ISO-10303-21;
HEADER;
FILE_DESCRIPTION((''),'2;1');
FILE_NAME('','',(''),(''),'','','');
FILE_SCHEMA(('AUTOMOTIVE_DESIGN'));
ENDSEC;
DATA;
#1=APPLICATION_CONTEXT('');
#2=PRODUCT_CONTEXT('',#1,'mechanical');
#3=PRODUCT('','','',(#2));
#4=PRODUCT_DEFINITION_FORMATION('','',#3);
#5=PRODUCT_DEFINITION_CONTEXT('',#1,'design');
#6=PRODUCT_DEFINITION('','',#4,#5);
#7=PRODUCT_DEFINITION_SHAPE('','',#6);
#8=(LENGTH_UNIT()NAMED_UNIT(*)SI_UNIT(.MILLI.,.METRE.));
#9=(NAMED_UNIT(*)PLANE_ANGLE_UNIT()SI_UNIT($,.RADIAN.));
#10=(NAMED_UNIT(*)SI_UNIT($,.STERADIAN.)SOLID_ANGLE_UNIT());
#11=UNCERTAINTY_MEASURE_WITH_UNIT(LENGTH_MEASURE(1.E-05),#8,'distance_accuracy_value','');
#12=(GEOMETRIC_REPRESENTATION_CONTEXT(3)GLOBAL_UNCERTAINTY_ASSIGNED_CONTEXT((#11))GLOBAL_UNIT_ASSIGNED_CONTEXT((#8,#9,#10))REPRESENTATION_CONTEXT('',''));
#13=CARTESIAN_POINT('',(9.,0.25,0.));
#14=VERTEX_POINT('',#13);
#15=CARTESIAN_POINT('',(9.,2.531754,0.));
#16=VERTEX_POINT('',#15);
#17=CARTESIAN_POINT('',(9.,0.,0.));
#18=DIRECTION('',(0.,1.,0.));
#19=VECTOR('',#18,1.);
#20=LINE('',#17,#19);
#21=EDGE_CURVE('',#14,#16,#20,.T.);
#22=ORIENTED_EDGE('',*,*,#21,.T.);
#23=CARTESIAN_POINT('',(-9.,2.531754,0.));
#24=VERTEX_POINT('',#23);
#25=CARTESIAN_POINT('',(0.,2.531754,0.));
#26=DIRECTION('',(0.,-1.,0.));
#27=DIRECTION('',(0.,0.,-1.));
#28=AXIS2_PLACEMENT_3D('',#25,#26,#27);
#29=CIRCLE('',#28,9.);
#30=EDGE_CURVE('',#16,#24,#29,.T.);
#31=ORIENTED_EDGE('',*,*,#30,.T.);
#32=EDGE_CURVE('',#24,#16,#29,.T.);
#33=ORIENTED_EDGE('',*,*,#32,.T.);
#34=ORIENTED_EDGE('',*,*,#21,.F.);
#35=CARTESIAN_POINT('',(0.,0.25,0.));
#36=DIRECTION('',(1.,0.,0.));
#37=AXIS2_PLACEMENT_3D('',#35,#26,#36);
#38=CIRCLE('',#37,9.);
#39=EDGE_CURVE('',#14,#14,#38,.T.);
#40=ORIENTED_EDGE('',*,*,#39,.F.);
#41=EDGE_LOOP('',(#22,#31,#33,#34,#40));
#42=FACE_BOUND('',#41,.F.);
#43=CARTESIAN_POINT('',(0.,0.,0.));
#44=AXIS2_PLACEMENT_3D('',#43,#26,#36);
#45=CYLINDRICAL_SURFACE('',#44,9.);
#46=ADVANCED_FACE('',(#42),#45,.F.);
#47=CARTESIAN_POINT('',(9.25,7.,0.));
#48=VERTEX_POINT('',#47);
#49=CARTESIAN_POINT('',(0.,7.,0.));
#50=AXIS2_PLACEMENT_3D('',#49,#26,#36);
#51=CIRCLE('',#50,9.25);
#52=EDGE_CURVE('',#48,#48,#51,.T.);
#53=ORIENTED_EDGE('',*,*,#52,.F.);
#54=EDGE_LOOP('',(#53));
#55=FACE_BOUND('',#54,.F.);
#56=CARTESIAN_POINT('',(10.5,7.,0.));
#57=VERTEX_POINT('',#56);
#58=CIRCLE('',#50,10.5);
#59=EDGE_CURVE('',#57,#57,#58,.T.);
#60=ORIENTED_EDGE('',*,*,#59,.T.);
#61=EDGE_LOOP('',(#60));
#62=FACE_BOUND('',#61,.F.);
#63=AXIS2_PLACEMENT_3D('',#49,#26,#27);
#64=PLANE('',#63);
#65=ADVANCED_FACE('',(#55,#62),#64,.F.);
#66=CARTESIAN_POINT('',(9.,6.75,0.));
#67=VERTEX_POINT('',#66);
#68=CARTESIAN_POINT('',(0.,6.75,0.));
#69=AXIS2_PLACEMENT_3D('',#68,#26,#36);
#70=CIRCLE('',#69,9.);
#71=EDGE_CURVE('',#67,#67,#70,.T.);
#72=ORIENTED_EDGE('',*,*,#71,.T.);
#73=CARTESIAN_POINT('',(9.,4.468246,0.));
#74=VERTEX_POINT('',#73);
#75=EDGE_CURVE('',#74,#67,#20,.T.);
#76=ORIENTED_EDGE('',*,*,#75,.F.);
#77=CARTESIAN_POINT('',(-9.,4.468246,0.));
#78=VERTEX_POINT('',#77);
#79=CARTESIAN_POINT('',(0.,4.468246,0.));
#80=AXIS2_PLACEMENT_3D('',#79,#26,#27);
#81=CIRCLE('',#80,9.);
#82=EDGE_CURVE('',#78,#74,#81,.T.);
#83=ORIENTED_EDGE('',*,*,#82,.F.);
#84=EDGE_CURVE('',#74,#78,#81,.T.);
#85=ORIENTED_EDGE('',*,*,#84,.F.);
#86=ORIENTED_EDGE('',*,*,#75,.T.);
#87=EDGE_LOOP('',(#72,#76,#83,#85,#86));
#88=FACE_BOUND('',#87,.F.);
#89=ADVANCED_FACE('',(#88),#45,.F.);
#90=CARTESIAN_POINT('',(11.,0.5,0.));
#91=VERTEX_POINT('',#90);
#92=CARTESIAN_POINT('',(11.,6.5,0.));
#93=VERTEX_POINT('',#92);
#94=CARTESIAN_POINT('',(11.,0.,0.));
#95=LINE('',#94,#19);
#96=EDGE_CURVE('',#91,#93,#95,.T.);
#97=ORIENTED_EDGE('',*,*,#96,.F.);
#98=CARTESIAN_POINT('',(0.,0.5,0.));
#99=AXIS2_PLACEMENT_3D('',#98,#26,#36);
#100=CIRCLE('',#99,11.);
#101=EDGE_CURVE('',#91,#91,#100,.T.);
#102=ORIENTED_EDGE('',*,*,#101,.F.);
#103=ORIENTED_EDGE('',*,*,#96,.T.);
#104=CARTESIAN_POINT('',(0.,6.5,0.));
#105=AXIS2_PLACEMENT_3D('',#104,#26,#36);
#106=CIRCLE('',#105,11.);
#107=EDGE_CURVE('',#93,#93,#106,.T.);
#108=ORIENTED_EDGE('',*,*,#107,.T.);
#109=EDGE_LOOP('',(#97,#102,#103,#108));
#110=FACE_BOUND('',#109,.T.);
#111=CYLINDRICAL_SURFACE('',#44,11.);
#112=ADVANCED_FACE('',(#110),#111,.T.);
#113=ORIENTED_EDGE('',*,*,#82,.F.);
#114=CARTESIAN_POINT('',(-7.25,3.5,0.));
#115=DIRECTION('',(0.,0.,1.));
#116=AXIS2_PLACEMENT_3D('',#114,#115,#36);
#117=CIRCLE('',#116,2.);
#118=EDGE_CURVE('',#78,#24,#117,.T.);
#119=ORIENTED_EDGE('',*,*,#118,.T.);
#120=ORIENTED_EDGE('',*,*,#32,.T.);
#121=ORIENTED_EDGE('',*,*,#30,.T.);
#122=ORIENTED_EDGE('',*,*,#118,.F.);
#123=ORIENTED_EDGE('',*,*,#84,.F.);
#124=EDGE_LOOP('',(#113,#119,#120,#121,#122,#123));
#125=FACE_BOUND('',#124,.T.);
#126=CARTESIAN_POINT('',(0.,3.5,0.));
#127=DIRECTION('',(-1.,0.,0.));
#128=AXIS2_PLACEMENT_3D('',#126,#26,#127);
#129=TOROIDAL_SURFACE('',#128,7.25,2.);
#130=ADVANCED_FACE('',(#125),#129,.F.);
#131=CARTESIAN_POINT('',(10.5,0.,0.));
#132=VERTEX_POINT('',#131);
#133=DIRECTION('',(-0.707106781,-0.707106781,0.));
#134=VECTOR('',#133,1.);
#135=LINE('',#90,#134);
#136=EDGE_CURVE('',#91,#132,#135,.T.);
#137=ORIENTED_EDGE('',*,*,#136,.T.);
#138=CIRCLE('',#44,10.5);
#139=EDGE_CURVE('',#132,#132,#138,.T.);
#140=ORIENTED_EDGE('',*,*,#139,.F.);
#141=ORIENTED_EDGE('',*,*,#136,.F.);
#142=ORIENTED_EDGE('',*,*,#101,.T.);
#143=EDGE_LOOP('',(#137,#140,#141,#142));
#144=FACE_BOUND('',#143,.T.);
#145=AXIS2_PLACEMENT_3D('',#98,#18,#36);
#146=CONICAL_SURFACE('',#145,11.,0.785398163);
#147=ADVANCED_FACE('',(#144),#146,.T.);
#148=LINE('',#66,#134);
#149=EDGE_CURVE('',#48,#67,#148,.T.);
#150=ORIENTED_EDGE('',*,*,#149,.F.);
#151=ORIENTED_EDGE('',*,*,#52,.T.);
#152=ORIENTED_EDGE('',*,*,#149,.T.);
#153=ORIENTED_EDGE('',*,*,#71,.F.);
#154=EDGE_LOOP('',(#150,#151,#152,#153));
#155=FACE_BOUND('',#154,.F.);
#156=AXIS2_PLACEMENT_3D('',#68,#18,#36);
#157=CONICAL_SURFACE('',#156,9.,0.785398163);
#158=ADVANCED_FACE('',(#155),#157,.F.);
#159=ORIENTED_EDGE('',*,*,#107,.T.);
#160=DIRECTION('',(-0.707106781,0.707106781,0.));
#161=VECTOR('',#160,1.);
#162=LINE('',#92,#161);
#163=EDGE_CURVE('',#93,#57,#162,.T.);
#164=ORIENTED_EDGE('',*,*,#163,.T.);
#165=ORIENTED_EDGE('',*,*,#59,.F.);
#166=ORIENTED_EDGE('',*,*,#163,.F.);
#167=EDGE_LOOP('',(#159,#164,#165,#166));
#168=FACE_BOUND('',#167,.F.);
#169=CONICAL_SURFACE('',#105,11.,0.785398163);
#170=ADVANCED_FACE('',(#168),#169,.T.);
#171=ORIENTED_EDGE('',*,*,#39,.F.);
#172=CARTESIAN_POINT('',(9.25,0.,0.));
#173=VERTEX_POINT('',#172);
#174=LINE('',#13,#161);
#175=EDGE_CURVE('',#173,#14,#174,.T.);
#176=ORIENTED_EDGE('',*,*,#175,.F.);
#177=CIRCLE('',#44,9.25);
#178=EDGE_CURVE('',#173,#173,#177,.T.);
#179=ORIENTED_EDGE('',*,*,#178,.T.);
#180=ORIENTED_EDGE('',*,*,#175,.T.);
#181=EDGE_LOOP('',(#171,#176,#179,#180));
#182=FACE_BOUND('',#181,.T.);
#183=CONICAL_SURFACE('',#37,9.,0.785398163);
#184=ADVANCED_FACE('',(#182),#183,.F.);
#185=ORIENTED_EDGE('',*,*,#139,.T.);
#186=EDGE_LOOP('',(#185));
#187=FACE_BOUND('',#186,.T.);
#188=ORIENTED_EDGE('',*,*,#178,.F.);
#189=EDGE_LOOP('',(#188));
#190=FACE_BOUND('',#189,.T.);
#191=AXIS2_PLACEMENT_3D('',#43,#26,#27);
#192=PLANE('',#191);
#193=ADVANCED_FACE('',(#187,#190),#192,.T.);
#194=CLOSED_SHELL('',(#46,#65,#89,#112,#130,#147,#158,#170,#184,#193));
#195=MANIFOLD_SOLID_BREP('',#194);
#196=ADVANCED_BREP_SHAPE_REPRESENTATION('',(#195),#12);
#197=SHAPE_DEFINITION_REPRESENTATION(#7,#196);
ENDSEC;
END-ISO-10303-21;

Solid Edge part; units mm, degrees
sketch "Sketch1" plane through (0, 0, 0) normal (0, -1, 0) x (1, 0, 0)
  circle A0 centre (0, 0) radius 11
  circle A1 centre (0, 0) radius 9
  dimension "D1" = 2
extrude "Protrusion1" add sketch "Sketch1" against normal blind 7
sketch "Sketch2" plane through (0, 0, 0) normal (0, 0, 1) x (1, 0, 0)
  circle A0 centre (-7.25, 3.5) radius 2
revolve "RevolvedCutout1" cut sketch "Sketch2" angle 360 about axis through (0, 0, 0) along (0, 1, 0)
chamfer "Chanfrein_1" distance 0.5 angle 45 2 edges at (-11, 0, 0) (-11, 7, 0)
chamfer "Chanfrein_2" distance 0.25 angle 45 2 edges at (-9, 0, 0) (-9, 7, 0)
properties material "Steel"
